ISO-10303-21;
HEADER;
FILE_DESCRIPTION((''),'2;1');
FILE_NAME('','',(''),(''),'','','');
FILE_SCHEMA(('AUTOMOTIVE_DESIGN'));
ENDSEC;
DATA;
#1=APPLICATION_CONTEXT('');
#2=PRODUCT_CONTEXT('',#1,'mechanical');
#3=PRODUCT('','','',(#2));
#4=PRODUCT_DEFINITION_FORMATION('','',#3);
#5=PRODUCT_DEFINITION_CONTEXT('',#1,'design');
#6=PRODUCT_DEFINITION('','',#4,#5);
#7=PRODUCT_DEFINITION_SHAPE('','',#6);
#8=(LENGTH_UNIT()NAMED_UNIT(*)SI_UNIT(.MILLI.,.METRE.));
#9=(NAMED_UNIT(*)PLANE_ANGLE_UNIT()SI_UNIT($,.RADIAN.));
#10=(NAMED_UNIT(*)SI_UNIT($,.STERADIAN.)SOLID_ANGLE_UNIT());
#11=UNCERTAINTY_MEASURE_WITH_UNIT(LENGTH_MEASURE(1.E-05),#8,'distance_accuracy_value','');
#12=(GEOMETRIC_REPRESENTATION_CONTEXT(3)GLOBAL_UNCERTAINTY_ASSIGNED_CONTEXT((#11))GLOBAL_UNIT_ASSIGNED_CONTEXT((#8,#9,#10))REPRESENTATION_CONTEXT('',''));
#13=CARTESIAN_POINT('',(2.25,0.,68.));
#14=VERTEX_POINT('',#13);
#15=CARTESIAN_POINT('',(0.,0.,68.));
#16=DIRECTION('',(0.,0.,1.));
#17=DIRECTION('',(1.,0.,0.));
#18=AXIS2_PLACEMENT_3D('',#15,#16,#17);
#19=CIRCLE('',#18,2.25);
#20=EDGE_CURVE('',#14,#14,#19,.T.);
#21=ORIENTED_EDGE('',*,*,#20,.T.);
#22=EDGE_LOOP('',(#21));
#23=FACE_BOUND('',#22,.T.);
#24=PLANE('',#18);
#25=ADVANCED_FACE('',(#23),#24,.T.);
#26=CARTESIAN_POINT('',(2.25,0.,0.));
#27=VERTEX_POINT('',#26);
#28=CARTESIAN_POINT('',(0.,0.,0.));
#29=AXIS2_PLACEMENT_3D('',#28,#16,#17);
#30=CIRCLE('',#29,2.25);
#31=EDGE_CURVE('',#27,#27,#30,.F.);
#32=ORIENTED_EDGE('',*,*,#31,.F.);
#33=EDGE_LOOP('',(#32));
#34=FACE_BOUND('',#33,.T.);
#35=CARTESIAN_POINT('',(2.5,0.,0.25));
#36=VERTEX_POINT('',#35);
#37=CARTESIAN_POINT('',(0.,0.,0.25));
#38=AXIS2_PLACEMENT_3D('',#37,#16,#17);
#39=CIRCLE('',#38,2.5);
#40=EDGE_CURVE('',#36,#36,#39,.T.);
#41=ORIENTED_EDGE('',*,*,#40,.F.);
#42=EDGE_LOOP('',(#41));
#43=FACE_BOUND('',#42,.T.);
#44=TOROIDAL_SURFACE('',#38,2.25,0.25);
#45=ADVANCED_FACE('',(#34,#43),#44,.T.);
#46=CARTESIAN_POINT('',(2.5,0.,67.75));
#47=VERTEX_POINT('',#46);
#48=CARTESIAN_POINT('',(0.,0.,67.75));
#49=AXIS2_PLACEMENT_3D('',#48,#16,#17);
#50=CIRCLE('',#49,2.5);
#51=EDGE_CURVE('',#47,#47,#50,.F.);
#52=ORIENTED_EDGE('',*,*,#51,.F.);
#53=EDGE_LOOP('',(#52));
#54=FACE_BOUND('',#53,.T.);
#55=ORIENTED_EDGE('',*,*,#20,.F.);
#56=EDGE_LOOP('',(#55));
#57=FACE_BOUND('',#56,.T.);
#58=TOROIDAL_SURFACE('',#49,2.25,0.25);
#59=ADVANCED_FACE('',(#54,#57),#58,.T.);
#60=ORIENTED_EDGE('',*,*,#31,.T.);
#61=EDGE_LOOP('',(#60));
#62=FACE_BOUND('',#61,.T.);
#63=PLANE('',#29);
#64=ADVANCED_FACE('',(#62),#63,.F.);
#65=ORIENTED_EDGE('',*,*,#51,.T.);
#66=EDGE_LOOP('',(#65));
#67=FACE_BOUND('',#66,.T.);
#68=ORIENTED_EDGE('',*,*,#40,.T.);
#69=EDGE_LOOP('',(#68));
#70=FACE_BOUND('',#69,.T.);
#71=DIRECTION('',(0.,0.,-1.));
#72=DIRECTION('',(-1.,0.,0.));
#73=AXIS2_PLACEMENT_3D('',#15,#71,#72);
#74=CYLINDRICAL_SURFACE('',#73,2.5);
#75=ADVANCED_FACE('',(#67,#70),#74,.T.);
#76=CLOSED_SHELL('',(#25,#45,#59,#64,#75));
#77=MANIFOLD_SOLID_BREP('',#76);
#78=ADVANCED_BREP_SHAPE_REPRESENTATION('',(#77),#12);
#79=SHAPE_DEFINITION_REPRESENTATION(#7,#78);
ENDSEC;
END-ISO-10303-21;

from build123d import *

# Parameters (mm, degrees)
SCHIZZO1_R                   = 2.5
ESTRUSIONE_ESTRUSIONE1_DEPTH = 68
RACCORDO1_R                  = 0.25


with BuildPart() as part:
    # Schizzo1 → Estrusione-Estrusione1 (new body)
    with BuildSketch(Plane.XY):
        Circle(SCHIZZO1_R)
    extrude(amount=ESTRUSIONE_ESTRUSIONE1_DEPTH)

    # Raccordo1
    raccordo1_edges = [part.edges().sort_by_distance(p)[0] for p in [
        (-2.5, 0, 0),
        (-2.5, 0, 68),
    ]]
    fillet(raccordo1_edges, radius=RACCORDO1_R)


solid = part.part
